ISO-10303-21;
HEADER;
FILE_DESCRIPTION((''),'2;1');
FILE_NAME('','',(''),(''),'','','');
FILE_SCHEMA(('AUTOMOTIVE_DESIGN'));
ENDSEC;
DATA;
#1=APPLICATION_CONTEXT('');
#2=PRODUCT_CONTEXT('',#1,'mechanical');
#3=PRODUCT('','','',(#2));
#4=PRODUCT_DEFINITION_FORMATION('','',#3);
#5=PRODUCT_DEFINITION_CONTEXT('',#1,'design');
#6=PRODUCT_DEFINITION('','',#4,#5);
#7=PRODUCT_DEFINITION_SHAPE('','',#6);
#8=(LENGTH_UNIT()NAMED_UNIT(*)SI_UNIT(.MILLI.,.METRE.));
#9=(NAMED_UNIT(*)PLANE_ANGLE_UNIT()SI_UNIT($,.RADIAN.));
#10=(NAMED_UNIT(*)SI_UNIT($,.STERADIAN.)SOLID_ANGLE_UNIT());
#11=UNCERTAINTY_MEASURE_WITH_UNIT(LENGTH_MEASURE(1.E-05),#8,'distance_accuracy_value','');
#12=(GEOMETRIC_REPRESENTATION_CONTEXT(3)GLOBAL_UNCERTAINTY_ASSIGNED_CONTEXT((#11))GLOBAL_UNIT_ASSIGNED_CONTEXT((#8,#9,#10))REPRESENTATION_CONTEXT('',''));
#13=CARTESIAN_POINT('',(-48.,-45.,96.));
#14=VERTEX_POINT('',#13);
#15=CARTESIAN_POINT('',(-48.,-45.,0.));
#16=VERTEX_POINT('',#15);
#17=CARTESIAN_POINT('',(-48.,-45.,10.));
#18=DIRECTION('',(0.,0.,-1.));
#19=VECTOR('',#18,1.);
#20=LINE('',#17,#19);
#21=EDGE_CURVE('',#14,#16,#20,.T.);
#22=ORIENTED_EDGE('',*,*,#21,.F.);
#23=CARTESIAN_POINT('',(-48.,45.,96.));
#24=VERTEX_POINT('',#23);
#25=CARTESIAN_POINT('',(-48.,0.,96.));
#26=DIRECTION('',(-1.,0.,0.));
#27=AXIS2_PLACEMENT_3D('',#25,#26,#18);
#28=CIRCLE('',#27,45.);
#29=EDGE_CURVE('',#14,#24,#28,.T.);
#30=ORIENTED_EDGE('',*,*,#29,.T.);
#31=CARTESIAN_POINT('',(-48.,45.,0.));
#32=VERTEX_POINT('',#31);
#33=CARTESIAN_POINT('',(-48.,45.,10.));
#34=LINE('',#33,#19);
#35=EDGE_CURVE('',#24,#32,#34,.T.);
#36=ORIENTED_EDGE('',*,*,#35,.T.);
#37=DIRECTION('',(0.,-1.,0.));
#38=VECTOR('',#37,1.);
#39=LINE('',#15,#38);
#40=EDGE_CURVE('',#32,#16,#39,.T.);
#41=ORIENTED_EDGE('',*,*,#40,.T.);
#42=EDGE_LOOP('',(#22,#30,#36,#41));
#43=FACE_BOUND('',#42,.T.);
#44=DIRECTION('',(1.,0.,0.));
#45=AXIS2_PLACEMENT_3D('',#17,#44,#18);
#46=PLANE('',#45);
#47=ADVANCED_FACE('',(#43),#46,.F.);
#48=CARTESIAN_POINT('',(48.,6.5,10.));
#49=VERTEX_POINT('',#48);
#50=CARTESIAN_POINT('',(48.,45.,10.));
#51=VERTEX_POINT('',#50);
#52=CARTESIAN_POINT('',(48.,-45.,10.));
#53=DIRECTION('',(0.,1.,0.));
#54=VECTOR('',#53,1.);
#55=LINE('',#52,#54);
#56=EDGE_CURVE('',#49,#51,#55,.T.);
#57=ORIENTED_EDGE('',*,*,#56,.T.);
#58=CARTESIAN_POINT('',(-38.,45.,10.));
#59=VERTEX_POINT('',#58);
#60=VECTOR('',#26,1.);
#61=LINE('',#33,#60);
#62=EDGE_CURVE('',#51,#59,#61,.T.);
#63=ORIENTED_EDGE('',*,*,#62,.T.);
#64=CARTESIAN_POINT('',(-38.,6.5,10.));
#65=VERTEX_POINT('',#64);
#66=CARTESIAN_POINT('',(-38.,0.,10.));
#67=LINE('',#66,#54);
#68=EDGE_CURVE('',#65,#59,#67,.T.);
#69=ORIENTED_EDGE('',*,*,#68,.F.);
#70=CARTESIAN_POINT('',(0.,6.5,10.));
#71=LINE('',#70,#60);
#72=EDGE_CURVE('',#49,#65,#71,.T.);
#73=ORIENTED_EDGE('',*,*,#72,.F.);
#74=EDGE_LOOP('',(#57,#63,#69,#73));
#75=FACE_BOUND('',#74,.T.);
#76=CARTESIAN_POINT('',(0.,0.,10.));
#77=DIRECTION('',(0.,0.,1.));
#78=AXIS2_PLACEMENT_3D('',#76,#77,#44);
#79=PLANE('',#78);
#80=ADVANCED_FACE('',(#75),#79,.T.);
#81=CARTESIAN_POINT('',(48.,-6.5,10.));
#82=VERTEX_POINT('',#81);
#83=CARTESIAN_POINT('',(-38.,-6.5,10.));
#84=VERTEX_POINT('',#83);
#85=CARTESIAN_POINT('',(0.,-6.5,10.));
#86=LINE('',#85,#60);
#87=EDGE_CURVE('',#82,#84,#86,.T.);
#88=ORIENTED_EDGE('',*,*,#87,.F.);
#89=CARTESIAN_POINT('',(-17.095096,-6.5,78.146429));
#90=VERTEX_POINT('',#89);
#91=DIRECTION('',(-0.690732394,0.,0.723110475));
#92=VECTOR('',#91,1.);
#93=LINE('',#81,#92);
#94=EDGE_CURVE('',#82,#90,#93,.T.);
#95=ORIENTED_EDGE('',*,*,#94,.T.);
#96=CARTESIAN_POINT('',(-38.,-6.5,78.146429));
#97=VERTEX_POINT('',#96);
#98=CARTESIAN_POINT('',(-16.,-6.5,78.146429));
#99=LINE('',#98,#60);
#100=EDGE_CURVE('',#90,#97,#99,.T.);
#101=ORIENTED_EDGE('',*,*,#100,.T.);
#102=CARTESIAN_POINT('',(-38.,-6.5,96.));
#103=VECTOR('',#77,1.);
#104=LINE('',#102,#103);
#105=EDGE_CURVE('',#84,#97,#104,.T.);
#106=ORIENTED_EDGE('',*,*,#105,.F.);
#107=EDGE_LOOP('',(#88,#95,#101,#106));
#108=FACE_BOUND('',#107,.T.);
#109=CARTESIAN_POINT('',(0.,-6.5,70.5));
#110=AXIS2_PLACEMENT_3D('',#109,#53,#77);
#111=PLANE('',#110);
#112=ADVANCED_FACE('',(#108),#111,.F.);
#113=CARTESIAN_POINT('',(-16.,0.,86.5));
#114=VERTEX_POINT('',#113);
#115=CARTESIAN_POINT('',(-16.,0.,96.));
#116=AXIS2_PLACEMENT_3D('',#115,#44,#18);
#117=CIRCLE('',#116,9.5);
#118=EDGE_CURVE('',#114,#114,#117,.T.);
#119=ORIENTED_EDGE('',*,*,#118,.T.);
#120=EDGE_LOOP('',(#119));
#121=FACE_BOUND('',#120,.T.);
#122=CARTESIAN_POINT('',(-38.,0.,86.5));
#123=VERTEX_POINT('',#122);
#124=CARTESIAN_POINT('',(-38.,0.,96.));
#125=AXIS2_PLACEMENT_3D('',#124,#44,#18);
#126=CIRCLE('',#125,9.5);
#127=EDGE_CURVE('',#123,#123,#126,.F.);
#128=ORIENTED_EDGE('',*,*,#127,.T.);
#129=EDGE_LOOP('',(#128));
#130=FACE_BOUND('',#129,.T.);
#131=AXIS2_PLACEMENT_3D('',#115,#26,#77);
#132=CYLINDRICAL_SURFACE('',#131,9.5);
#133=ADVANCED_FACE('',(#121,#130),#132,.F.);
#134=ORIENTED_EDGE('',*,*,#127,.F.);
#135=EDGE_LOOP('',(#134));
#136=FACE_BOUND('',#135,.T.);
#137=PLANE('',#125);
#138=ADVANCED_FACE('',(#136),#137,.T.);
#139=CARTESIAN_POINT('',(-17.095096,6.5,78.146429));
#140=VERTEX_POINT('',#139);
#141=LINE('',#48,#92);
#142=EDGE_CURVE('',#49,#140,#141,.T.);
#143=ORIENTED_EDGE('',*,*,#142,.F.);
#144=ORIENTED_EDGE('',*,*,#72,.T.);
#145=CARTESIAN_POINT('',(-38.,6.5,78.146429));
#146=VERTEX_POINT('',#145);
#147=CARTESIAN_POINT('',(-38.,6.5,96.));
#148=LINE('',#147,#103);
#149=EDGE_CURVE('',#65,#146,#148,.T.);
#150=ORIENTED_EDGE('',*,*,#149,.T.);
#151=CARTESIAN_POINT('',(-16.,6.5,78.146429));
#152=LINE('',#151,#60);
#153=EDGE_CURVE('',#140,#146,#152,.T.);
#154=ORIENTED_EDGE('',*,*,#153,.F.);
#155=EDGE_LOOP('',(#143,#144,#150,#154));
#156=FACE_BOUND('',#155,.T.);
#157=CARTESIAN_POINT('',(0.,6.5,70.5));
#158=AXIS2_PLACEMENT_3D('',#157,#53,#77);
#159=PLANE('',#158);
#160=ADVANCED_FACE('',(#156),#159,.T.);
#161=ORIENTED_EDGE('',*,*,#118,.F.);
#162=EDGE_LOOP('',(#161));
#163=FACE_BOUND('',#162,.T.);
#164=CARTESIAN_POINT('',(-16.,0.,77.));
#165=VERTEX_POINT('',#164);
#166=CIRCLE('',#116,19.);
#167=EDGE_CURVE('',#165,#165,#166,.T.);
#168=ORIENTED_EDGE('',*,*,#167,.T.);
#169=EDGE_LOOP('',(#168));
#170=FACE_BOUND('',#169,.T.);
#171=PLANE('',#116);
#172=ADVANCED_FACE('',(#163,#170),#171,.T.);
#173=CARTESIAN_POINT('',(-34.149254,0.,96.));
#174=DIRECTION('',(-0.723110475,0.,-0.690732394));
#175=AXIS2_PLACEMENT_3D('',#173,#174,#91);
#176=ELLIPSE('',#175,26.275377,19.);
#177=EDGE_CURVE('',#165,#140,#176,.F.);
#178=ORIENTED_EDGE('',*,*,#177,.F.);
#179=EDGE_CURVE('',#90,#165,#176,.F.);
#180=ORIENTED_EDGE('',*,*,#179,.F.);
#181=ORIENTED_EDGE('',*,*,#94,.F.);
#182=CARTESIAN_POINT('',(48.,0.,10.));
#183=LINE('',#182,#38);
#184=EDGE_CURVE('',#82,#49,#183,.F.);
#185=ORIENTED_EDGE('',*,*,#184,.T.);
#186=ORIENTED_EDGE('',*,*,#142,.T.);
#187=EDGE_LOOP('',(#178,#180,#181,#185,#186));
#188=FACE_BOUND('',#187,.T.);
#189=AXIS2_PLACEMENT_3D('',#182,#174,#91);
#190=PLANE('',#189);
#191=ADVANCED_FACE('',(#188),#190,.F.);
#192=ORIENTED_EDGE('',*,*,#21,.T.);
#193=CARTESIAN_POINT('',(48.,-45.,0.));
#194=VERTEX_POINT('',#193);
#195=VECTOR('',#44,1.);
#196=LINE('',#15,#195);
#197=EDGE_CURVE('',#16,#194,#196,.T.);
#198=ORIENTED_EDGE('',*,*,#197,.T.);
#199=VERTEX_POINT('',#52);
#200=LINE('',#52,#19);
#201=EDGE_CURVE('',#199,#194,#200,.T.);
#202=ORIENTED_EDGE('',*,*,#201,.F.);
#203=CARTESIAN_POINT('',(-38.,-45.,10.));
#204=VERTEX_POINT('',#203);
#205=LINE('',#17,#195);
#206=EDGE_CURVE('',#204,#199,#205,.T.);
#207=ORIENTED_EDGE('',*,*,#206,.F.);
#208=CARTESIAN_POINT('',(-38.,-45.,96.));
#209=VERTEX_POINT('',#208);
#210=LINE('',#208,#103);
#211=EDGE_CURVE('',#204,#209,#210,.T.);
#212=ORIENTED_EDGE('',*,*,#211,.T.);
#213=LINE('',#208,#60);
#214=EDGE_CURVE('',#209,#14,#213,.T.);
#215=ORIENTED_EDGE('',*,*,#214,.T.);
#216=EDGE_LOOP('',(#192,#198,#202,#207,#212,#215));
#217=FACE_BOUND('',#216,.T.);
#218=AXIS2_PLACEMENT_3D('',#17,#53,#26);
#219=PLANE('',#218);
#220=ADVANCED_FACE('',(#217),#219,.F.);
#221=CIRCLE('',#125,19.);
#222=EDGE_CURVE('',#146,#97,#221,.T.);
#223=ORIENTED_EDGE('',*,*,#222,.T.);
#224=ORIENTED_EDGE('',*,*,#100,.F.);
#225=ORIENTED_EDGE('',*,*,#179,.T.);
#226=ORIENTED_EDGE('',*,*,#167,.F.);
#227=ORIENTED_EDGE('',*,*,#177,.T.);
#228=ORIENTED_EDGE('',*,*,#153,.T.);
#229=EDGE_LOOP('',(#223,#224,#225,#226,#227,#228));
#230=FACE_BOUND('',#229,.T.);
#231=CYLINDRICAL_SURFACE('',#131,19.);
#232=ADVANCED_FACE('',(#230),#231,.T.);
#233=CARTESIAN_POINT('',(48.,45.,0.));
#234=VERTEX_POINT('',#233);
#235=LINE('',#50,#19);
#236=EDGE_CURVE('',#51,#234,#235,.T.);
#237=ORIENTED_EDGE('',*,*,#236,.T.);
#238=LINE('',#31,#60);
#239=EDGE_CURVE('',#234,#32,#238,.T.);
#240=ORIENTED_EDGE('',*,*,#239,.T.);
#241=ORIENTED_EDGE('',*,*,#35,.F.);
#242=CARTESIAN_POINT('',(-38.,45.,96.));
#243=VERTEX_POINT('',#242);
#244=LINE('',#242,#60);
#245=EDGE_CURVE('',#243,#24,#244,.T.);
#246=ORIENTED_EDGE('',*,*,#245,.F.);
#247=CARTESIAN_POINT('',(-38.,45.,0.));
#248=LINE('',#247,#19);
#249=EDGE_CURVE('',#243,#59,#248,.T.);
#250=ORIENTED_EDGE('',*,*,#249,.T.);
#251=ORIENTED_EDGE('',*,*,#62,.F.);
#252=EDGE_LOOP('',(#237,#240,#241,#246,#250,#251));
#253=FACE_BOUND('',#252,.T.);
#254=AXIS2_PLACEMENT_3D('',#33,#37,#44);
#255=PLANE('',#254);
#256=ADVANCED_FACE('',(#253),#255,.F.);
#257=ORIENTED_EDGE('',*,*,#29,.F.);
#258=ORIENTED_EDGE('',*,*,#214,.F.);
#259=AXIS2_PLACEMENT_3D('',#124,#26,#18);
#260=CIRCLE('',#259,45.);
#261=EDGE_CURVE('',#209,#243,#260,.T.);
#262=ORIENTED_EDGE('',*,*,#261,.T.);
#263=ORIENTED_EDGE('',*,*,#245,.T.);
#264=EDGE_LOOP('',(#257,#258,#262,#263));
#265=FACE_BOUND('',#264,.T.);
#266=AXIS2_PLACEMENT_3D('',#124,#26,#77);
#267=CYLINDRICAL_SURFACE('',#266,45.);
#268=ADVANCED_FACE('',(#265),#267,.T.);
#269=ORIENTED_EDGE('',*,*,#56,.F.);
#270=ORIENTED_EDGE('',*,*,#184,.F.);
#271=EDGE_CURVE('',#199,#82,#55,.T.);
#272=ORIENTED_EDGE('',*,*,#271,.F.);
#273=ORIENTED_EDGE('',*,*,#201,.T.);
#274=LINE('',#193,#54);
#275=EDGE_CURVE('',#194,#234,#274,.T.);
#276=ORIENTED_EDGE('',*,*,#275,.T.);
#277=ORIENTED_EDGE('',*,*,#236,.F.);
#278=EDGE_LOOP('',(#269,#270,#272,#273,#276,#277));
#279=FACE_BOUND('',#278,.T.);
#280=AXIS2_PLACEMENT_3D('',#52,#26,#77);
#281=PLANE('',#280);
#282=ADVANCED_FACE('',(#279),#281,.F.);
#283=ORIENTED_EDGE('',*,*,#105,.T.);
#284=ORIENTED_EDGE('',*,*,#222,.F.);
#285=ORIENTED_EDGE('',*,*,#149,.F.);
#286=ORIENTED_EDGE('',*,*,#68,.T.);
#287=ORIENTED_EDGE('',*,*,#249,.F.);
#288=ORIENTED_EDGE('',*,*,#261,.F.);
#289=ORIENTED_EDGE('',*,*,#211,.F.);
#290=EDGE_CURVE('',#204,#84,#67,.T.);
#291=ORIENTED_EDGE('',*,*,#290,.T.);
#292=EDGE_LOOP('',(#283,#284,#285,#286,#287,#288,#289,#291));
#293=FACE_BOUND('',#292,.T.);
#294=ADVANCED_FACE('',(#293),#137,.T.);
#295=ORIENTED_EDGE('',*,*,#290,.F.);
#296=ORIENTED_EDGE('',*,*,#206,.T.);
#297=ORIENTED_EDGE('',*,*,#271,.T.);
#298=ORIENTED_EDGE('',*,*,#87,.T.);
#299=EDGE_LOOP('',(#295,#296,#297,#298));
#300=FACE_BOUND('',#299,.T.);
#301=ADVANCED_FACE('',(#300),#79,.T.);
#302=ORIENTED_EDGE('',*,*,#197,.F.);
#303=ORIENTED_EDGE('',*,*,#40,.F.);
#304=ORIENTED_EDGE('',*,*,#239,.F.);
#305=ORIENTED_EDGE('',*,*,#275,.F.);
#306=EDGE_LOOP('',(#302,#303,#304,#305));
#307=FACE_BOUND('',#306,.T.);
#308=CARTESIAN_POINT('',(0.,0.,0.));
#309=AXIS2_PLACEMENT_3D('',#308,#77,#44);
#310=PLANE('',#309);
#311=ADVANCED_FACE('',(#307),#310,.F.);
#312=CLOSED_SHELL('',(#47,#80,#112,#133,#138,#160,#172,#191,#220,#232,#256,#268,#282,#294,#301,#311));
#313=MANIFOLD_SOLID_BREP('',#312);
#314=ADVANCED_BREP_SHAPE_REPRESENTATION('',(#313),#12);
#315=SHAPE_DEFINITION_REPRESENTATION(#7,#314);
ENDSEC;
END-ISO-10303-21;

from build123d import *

# Parameters (mm, degrees)
SKETCH1_W           = 90
SKETCH1_H           = 96
BOSS_EXTRUDE1_DEPTH = 10
BOSS_EXTRUDE2_DEPTH = 10
SKETCH3_R           = 19
SKETCH3_R_2         = 9.5
BOSS_EXTRUDE3_DEPTH = 22
RIB1_REACH          = 157.596
SKETCH4_WALL_W      = 405.846534596
SKETCH4_WALL_H      = 13


with BuildPart() as part:
    # Sketch1 → Boss-Extrude1 (new body)
    with BuildSketch(Plane(origin=(0, 0, 0), x_dir=(0, 1, 0), z_dir=(0, 0, 1))):
        Rectangle(SKETCH1_W, SKETCH1_H)
    extrude(amount=BOSS_EXTRUDE1_DEPTH)

    # Sketch2 → Boss-Extrude2 (add)
    with BuildSketch(Plane(origin=(-48, 0, 0), x_dir=(0, -1, 0), z_dir=(-1, 0, 0))):
        with BuildLine():
            Line((-45, 0), (-45, 96))
            ThreePointArc((-45, 96), (0, 141), (45, 96))
            Line((45, 96), (45, 0))
            Line((45, 0), (-45, 0))
        make_face()
    extrude(amount=-BOSS_EXTRUDE2_DEPTH)

    # Sketch3 → Boss-Extrude3 (add)
    with BuildSketch(Plane.YZ.offset(-38)):
        with Locations(Location((0, 96, 0), (0, 0, 270))):
            Circle(SKETCH3_R)
        with Locations(Location((0, 96, 0), (0, 0, 270))):
            Circle(SKETCH3_R_2, mode=Mode.SUBTRACT)
    extrude(amount=BOSS_EXTRUDE3_DEPTH)

    # Sketch4 wall → Rib1 (add, up to next)
    with BuildSketch(Plane(origin=(16, 0, 43.5), x_dir=(-0.6907323943, 0, 0.723110475283), z_dir=(0.723110475283, 0, 0.6907323943)), mode=Mode.PRIVATE) as rib1_sk1:
        Rectangle(SKETCH4_WALL_W, SKETCH4_WALL_H)
    rib1_tool1 = extrude(rib1_sk1.sketch, amount=-RIB1_REACH, mode=Mode.PRIVATE) - part.part
    add(rib1_tool1.solids().sort_by_distance((16, 0, 43.5))[0])


solid = part.part
